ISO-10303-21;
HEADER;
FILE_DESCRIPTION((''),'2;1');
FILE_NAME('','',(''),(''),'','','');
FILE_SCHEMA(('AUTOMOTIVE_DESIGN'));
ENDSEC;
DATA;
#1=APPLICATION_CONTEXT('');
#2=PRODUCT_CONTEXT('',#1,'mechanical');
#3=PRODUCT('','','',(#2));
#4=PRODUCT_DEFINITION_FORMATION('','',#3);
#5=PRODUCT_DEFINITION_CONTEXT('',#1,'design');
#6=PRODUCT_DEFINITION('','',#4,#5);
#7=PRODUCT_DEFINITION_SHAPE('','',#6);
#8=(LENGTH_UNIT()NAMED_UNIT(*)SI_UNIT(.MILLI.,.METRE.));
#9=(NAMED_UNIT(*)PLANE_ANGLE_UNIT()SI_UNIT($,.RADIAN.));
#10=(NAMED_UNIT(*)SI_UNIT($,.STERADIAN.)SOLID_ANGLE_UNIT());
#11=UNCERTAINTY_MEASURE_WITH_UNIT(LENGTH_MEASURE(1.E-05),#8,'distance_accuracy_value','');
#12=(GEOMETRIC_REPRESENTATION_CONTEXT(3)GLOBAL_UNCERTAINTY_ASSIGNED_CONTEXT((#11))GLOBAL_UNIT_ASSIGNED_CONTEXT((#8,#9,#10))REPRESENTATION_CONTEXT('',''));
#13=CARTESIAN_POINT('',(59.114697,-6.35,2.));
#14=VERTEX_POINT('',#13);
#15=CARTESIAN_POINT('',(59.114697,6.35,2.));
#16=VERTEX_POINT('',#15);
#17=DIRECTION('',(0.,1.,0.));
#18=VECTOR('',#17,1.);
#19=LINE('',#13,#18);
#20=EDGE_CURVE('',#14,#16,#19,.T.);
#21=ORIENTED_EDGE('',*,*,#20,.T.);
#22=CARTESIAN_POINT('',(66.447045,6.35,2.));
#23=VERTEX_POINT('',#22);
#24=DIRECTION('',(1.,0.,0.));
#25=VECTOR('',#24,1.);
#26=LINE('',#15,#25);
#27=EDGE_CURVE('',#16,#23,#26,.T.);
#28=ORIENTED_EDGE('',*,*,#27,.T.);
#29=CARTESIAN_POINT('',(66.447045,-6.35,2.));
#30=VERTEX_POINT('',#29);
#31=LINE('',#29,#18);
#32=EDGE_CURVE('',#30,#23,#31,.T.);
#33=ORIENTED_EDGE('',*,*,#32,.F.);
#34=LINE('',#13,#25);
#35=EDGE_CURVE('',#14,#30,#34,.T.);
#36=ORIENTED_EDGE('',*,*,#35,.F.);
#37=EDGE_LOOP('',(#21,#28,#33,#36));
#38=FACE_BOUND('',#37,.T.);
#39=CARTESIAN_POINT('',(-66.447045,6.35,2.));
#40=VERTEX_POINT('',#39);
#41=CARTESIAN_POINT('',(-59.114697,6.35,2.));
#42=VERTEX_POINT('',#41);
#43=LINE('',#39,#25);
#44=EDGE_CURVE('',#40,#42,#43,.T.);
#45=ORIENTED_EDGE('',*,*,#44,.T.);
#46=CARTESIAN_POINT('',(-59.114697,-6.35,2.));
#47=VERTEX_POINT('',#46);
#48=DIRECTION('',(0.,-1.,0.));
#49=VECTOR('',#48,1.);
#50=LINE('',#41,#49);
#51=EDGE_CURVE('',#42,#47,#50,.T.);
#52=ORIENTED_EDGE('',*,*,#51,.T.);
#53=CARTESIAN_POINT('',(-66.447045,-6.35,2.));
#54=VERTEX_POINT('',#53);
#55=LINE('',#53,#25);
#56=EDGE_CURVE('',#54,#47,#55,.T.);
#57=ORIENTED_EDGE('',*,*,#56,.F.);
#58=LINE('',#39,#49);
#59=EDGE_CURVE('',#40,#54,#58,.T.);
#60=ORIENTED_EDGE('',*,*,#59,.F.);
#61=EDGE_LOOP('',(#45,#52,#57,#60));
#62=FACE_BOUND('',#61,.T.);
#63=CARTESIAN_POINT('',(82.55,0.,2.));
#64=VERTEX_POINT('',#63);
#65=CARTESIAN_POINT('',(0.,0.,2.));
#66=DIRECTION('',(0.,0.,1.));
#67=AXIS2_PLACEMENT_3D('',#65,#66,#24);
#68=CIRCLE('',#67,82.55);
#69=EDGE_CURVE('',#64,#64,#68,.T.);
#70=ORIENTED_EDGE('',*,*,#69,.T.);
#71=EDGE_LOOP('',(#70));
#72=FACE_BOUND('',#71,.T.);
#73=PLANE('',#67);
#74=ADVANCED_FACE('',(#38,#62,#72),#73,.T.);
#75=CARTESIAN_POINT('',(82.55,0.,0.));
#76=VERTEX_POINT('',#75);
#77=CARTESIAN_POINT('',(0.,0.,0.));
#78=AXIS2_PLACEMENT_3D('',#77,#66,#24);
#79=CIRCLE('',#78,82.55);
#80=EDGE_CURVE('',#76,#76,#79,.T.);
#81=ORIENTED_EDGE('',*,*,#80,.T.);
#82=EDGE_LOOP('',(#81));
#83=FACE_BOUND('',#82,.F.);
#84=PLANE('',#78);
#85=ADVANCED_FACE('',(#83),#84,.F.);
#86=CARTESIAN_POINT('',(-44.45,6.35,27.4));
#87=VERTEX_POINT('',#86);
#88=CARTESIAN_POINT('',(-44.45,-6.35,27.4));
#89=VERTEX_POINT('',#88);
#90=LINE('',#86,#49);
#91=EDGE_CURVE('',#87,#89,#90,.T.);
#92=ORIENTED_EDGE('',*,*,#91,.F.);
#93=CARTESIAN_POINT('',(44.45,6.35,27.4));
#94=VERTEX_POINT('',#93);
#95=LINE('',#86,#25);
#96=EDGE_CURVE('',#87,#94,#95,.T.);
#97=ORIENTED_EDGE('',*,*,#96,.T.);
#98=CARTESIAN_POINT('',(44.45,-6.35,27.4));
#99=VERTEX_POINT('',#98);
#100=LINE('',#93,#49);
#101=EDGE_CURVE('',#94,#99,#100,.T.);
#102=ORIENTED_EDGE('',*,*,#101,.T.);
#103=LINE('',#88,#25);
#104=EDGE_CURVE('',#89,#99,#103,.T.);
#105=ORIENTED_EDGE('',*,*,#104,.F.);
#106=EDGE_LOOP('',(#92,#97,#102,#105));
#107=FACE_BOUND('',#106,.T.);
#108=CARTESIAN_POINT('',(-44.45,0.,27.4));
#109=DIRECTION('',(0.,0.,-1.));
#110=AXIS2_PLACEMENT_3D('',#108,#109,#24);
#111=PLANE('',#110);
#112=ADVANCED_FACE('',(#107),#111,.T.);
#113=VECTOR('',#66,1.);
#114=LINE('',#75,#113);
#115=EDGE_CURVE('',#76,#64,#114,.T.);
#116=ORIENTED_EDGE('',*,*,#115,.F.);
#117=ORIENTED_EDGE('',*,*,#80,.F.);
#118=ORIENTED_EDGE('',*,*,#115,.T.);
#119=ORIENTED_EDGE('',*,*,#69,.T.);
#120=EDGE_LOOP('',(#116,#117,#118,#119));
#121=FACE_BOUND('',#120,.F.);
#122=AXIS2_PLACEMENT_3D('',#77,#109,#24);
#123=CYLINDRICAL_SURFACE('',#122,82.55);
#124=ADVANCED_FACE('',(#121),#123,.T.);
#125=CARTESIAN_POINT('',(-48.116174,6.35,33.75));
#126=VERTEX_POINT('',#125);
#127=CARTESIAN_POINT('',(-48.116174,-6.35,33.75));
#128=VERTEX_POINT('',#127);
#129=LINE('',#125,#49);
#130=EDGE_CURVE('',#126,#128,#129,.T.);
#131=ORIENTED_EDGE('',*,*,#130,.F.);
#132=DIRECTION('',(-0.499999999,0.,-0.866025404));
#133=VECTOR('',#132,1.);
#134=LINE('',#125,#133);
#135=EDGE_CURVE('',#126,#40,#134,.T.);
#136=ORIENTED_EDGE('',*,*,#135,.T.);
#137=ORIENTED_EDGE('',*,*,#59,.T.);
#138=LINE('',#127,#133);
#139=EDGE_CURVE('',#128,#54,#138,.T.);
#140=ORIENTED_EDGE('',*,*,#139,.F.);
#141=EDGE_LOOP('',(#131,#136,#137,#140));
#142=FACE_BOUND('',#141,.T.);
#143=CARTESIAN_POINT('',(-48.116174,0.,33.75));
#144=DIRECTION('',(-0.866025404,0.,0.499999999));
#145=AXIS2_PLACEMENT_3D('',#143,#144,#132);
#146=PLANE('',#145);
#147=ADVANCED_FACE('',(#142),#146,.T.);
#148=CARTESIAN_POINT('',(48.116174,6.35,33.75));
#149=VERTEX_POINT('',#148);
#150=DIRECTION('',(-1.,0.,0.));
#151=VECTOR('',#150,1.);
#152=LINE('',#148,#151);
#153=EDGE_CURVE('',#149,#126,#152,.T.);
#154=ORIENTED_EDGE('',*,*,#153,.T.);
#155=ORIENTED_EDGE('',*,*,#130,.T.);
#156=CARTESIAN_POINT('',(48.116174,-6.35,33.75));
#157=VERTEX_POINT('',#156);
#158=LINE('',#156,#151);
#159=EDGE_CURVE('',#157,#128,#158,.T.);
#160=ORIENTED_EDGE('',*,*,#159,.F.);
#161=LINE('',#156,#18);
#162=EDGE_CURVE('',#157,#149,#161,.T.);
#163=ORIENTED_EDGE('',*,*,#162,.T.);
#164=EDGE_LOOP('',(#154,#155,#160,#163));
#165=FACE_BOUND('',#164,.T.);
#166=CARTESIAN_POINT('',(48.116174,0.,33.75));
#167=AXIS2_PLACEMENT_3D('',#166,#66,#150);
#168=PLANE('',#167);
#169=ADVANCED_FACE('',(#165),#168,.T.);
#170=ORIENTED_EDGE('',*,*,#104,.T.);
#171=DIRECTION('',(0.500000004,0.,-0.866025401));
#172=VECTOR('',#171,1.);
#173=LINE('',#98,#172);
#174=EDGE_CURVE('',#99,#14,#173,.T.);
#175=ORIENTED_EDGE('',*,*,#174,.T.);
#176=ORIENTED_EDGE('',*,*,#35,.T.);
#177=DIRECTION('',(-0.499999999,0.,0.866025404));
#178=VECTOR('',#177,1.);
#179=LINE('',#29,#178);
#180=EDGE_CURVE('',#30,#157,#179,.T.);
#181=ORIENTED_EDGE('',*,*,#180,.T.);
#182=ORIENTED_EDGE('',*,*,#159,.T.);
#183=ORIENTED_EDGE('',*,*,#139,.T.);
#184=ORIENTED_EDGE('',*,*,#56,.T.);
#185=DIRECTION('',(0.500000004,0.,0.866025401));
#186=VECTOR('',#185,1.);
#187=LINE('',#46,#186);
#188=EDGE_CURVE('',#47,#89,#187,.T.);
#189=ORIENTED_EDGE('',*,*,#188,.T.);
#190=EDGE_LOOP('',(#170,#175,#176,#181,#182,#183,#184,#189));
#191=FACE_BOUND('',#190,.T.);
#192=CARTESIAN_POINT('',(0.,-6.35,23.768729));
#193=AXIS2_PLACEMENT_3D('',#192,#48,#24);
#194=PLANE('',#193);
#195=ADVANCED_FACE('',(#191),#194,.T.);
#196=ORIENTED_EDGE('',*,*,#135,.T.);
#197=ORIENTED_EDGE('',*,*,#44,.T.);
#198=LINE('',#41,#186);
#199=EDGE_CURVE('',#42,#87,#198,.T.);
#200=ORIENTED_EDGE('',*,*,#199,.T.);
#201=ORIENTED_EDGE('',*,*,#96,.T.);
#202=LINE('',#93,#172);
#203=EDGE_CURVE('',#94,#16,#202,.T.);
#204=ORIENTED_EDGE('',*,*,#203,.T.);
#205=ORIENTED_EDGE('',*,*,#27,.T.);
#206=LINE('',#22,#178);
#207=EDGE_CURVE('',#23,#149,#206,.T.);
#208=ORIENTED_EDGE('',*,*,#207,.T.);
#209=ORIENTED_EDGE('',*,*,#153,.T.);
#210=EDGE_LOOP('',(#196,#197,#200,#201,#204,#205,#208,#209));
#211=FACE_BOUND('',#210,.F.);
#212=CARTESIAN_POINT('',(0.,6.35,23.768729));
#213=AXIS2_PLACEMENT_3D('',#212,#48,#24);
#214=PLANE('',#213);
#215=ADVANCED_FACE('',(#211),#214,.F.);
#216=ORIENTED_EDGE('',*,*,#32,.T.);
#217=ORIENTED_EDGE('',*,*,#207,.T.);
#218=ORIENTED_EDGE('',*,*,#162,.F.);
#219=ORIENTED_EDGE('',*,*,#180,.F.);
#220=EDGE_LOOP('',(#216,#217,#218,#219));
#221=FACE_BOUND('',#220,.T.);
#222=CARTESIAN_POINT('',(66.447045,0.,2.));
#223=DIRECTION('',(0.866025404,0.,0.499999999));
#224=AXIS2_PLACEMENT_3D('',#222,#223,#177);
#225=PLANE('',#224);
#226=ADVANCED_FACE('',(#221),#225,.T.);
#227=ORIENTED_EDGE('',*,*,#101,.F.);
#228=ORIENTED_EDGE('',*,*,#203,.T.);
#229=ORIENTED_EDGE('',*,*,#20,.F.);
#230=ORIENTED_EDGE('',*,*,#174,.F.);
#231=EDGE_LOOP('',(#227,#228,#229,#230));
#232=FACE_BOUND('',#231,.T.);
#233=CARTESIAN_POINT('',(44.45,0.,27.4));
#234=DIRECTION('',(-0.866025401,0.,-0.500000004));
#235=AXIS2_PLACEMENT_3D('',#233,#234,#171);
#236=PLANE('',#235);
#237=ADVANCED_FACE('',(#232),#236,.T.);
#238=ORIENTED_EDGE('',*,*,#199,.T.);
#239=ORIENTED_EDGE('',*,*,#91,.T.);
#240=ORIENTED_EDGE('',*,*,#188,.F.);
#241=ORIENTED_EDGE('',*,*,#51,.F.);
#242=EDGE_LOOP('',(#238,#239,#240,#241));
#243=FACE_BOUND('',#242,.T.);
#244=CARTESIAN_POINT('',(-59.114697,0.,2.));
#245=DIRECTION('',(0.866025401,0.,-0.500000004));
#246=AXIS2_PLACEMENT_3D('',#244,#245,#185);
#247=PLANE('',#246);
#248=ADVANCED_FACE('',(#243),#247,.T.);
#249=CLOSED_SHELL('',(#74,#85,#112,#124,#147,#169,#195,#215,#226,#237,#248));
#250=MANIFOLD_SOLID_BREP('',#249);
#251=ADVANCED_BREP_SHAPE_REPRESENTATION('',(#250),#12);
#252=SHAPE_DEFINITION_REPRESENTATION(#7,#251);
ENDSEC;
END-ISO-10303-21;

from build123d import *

# Parameters (mm, degrees)
F0_R     = 82.55
F1_DEPTH = 2
F3_DEPTH = 6.35


with BuildPart() as f1:
    # F0 (on Top) → F1 (new body)
    with BuildSketch(Plane.XY):
        Circle(F0_R)
    extrude(amount=F1_DEPTH)

    # F2 (on Front) → F3 (join, symmetric)
    with BuildSketch(Plane.XZ):
        Polygon((48.116174, 33.75), (-48.116174, 33.75), (-66.447045, 2), (-59.114697, 2), (-44.45, 27.4), (44.45, 27.4), (59.114697, 2), (66.447045, 2), align=None)
    extrude(amount=F3_DEPTH, both=True)


solid = f1.part
